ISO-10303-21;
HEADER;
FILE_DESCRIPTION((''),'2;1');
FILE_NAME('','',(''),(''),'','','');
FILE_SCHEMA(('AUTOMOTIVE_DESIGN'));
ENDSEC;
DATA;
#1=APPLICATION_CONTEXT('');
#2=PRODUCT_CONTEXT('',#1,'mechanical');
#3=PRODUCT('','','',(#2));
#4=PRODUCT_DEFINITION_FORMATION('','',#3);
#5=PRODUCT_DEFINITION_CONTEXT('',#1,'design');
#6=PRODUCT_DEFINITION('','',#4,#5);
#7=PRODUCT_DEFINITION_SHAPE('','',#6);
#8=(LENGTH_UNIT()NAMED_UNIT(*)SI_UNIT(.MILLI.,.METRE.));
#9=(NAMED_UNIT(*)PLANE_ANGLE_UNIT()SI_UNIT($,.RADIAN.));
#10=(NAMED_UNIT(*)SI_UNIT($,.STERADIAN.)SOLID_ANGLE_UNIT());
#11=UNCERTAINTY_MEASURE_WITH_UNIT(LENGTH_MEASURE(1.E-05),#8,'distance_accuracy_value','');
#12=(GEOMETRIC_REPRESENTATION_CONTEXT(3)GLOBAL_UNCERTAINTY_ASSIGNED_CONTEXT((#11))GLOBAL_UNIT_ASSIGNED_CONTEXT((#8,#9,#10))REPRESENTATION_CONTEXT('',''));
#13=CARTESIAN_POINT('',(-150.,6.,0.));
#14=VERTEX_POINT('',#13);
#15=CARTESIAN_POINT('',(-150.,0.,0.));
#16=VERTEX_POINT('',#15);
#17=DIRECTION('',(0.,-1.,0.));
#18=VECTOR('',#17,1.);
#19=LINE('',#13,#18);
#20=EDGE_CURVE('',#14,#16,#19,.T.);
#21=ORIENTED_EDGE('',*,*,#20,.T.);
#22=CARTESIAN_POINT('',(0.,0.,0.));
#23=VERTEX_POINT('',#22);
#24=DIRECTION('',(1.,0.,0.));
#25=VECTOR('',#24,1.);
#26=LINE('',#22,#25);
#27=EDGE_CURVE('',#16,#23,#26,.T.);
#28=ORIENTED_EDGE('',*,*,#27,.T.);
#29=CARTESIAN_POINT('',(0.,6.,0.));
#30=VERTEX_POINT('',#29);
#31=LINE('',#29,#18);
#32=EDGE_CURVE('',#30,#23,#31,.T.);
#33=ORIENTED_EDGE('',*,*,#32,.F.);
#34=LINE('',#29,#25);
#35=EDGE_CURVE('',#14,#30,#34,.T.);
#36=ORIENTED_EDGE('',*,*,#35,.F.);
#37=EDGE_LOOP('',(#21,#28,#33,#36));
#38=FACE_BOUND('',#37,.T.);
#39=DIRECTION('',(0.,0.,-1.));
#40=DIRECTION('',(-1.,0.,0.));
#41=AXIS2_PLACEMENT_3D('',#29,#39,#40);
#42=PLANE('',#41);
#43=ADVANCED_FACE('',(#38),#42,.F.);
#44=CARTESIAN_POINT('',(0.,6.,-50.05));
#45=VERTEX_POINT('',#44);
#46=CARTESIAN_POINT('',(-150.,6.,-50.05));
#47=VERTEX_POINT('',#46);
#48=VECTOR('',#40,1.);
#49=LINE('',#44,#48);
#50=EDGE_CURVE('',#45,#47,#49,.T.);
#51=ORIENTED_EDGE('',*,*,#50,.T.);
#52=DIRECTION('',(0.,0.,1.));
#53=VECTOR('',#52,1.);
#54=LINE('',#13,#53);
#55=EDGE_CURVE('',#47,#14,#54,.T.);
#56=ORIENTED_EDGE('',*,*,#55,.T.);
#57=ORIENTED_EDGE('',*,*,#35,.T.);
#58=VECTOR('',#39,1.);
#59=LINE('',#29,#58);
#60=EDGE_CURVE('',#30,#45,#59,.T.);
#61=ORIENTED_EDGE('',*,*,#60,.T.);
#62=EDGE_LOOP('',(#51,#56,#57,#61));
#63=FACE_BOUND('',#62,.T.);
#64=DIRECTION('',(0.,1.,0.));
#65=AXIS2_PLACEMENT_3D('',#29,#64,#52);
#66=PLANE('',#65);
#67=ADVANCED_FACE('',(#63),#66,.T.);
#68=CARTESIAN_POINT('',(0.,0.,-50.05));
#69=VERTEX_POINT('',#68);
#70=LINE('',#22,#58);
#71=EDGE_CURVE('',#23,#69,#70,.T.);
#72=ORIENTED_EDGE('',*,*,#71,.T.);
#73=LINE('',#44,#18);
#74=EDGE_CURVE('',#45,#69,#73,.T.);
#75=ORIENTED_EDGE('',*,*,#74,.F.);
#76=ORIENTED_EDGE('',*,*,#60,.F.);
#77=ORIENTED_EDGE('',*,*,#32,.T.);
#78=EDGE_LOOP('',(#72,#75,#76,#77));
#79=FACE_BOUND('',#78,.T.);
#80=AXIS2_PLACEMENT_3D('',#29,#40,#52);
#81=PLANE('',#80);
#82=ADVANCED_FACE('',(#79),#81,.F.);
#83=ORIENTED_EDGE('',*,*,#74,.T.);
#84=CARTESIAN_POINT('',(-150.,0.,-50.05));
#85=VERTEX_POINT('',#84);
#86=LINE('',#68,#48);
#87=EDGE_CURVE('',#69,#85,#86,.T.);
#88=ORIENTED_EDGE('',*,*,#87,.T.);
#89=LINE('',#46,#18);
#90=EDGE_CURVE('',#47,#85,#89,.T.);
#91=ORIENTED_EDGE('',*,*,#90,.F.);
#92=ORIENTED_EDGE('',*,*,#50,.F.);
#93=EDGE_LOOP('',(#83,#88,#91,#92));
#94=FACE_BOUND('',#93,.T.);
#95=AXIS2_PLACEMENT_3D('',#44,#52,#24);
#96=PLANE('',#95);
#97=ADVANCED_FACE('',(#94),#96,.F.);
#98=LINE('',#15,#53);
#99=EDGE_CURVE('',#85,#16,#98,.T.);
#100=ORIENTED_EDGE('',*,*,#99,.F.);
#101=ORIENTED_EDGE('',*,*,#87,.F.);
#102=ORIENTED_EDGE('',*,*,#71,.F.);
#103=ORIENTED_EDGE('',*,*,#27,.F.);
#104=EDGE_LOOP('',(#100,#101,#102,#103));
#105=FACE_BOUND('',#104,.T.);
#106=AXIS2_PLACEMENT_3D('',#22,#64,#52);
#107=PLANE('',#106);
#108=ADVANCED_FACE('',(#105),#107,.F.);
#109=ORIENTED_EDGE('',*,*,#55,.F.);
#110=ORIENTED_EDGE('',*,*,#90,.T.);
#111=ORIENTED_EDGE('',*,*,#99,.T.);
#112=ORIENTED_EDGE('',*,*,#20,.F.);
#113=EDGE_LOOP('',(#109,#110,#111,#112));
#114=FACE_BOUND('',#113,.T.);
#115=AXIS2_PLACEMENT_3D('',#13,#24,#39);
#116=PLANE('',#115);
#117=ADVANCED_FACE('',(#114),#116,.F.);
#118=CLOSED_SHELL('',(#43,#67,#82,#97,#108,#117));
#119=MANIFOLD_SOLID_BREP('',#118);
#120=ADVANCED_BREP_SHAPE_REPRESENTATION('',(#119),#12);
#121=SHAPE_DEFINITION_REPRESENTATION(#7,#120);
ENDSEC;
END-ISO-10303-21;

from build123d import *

# Parameters (mm, degrees)
SKETCH1_W           = 150
SKETCH1_H           = 50.05
BOSS_EXTRUDE2_DEPTH = 6


with BuildPart() as part:
    # Sketch1 → Boss-Extrude2 (new body)
    with BuildSketch(Plane(origin=(0, 0, 0), x_dir=(1, 0, 0), z_dir=(0, 1, 0))):
        with Locations((-75, 25.025)):
            Rectangle(SKETCH1_W, SKETCH1_H)
    extrude(amount=BOSS_EXTRUDE2_DEPTH)


solid = part.part
